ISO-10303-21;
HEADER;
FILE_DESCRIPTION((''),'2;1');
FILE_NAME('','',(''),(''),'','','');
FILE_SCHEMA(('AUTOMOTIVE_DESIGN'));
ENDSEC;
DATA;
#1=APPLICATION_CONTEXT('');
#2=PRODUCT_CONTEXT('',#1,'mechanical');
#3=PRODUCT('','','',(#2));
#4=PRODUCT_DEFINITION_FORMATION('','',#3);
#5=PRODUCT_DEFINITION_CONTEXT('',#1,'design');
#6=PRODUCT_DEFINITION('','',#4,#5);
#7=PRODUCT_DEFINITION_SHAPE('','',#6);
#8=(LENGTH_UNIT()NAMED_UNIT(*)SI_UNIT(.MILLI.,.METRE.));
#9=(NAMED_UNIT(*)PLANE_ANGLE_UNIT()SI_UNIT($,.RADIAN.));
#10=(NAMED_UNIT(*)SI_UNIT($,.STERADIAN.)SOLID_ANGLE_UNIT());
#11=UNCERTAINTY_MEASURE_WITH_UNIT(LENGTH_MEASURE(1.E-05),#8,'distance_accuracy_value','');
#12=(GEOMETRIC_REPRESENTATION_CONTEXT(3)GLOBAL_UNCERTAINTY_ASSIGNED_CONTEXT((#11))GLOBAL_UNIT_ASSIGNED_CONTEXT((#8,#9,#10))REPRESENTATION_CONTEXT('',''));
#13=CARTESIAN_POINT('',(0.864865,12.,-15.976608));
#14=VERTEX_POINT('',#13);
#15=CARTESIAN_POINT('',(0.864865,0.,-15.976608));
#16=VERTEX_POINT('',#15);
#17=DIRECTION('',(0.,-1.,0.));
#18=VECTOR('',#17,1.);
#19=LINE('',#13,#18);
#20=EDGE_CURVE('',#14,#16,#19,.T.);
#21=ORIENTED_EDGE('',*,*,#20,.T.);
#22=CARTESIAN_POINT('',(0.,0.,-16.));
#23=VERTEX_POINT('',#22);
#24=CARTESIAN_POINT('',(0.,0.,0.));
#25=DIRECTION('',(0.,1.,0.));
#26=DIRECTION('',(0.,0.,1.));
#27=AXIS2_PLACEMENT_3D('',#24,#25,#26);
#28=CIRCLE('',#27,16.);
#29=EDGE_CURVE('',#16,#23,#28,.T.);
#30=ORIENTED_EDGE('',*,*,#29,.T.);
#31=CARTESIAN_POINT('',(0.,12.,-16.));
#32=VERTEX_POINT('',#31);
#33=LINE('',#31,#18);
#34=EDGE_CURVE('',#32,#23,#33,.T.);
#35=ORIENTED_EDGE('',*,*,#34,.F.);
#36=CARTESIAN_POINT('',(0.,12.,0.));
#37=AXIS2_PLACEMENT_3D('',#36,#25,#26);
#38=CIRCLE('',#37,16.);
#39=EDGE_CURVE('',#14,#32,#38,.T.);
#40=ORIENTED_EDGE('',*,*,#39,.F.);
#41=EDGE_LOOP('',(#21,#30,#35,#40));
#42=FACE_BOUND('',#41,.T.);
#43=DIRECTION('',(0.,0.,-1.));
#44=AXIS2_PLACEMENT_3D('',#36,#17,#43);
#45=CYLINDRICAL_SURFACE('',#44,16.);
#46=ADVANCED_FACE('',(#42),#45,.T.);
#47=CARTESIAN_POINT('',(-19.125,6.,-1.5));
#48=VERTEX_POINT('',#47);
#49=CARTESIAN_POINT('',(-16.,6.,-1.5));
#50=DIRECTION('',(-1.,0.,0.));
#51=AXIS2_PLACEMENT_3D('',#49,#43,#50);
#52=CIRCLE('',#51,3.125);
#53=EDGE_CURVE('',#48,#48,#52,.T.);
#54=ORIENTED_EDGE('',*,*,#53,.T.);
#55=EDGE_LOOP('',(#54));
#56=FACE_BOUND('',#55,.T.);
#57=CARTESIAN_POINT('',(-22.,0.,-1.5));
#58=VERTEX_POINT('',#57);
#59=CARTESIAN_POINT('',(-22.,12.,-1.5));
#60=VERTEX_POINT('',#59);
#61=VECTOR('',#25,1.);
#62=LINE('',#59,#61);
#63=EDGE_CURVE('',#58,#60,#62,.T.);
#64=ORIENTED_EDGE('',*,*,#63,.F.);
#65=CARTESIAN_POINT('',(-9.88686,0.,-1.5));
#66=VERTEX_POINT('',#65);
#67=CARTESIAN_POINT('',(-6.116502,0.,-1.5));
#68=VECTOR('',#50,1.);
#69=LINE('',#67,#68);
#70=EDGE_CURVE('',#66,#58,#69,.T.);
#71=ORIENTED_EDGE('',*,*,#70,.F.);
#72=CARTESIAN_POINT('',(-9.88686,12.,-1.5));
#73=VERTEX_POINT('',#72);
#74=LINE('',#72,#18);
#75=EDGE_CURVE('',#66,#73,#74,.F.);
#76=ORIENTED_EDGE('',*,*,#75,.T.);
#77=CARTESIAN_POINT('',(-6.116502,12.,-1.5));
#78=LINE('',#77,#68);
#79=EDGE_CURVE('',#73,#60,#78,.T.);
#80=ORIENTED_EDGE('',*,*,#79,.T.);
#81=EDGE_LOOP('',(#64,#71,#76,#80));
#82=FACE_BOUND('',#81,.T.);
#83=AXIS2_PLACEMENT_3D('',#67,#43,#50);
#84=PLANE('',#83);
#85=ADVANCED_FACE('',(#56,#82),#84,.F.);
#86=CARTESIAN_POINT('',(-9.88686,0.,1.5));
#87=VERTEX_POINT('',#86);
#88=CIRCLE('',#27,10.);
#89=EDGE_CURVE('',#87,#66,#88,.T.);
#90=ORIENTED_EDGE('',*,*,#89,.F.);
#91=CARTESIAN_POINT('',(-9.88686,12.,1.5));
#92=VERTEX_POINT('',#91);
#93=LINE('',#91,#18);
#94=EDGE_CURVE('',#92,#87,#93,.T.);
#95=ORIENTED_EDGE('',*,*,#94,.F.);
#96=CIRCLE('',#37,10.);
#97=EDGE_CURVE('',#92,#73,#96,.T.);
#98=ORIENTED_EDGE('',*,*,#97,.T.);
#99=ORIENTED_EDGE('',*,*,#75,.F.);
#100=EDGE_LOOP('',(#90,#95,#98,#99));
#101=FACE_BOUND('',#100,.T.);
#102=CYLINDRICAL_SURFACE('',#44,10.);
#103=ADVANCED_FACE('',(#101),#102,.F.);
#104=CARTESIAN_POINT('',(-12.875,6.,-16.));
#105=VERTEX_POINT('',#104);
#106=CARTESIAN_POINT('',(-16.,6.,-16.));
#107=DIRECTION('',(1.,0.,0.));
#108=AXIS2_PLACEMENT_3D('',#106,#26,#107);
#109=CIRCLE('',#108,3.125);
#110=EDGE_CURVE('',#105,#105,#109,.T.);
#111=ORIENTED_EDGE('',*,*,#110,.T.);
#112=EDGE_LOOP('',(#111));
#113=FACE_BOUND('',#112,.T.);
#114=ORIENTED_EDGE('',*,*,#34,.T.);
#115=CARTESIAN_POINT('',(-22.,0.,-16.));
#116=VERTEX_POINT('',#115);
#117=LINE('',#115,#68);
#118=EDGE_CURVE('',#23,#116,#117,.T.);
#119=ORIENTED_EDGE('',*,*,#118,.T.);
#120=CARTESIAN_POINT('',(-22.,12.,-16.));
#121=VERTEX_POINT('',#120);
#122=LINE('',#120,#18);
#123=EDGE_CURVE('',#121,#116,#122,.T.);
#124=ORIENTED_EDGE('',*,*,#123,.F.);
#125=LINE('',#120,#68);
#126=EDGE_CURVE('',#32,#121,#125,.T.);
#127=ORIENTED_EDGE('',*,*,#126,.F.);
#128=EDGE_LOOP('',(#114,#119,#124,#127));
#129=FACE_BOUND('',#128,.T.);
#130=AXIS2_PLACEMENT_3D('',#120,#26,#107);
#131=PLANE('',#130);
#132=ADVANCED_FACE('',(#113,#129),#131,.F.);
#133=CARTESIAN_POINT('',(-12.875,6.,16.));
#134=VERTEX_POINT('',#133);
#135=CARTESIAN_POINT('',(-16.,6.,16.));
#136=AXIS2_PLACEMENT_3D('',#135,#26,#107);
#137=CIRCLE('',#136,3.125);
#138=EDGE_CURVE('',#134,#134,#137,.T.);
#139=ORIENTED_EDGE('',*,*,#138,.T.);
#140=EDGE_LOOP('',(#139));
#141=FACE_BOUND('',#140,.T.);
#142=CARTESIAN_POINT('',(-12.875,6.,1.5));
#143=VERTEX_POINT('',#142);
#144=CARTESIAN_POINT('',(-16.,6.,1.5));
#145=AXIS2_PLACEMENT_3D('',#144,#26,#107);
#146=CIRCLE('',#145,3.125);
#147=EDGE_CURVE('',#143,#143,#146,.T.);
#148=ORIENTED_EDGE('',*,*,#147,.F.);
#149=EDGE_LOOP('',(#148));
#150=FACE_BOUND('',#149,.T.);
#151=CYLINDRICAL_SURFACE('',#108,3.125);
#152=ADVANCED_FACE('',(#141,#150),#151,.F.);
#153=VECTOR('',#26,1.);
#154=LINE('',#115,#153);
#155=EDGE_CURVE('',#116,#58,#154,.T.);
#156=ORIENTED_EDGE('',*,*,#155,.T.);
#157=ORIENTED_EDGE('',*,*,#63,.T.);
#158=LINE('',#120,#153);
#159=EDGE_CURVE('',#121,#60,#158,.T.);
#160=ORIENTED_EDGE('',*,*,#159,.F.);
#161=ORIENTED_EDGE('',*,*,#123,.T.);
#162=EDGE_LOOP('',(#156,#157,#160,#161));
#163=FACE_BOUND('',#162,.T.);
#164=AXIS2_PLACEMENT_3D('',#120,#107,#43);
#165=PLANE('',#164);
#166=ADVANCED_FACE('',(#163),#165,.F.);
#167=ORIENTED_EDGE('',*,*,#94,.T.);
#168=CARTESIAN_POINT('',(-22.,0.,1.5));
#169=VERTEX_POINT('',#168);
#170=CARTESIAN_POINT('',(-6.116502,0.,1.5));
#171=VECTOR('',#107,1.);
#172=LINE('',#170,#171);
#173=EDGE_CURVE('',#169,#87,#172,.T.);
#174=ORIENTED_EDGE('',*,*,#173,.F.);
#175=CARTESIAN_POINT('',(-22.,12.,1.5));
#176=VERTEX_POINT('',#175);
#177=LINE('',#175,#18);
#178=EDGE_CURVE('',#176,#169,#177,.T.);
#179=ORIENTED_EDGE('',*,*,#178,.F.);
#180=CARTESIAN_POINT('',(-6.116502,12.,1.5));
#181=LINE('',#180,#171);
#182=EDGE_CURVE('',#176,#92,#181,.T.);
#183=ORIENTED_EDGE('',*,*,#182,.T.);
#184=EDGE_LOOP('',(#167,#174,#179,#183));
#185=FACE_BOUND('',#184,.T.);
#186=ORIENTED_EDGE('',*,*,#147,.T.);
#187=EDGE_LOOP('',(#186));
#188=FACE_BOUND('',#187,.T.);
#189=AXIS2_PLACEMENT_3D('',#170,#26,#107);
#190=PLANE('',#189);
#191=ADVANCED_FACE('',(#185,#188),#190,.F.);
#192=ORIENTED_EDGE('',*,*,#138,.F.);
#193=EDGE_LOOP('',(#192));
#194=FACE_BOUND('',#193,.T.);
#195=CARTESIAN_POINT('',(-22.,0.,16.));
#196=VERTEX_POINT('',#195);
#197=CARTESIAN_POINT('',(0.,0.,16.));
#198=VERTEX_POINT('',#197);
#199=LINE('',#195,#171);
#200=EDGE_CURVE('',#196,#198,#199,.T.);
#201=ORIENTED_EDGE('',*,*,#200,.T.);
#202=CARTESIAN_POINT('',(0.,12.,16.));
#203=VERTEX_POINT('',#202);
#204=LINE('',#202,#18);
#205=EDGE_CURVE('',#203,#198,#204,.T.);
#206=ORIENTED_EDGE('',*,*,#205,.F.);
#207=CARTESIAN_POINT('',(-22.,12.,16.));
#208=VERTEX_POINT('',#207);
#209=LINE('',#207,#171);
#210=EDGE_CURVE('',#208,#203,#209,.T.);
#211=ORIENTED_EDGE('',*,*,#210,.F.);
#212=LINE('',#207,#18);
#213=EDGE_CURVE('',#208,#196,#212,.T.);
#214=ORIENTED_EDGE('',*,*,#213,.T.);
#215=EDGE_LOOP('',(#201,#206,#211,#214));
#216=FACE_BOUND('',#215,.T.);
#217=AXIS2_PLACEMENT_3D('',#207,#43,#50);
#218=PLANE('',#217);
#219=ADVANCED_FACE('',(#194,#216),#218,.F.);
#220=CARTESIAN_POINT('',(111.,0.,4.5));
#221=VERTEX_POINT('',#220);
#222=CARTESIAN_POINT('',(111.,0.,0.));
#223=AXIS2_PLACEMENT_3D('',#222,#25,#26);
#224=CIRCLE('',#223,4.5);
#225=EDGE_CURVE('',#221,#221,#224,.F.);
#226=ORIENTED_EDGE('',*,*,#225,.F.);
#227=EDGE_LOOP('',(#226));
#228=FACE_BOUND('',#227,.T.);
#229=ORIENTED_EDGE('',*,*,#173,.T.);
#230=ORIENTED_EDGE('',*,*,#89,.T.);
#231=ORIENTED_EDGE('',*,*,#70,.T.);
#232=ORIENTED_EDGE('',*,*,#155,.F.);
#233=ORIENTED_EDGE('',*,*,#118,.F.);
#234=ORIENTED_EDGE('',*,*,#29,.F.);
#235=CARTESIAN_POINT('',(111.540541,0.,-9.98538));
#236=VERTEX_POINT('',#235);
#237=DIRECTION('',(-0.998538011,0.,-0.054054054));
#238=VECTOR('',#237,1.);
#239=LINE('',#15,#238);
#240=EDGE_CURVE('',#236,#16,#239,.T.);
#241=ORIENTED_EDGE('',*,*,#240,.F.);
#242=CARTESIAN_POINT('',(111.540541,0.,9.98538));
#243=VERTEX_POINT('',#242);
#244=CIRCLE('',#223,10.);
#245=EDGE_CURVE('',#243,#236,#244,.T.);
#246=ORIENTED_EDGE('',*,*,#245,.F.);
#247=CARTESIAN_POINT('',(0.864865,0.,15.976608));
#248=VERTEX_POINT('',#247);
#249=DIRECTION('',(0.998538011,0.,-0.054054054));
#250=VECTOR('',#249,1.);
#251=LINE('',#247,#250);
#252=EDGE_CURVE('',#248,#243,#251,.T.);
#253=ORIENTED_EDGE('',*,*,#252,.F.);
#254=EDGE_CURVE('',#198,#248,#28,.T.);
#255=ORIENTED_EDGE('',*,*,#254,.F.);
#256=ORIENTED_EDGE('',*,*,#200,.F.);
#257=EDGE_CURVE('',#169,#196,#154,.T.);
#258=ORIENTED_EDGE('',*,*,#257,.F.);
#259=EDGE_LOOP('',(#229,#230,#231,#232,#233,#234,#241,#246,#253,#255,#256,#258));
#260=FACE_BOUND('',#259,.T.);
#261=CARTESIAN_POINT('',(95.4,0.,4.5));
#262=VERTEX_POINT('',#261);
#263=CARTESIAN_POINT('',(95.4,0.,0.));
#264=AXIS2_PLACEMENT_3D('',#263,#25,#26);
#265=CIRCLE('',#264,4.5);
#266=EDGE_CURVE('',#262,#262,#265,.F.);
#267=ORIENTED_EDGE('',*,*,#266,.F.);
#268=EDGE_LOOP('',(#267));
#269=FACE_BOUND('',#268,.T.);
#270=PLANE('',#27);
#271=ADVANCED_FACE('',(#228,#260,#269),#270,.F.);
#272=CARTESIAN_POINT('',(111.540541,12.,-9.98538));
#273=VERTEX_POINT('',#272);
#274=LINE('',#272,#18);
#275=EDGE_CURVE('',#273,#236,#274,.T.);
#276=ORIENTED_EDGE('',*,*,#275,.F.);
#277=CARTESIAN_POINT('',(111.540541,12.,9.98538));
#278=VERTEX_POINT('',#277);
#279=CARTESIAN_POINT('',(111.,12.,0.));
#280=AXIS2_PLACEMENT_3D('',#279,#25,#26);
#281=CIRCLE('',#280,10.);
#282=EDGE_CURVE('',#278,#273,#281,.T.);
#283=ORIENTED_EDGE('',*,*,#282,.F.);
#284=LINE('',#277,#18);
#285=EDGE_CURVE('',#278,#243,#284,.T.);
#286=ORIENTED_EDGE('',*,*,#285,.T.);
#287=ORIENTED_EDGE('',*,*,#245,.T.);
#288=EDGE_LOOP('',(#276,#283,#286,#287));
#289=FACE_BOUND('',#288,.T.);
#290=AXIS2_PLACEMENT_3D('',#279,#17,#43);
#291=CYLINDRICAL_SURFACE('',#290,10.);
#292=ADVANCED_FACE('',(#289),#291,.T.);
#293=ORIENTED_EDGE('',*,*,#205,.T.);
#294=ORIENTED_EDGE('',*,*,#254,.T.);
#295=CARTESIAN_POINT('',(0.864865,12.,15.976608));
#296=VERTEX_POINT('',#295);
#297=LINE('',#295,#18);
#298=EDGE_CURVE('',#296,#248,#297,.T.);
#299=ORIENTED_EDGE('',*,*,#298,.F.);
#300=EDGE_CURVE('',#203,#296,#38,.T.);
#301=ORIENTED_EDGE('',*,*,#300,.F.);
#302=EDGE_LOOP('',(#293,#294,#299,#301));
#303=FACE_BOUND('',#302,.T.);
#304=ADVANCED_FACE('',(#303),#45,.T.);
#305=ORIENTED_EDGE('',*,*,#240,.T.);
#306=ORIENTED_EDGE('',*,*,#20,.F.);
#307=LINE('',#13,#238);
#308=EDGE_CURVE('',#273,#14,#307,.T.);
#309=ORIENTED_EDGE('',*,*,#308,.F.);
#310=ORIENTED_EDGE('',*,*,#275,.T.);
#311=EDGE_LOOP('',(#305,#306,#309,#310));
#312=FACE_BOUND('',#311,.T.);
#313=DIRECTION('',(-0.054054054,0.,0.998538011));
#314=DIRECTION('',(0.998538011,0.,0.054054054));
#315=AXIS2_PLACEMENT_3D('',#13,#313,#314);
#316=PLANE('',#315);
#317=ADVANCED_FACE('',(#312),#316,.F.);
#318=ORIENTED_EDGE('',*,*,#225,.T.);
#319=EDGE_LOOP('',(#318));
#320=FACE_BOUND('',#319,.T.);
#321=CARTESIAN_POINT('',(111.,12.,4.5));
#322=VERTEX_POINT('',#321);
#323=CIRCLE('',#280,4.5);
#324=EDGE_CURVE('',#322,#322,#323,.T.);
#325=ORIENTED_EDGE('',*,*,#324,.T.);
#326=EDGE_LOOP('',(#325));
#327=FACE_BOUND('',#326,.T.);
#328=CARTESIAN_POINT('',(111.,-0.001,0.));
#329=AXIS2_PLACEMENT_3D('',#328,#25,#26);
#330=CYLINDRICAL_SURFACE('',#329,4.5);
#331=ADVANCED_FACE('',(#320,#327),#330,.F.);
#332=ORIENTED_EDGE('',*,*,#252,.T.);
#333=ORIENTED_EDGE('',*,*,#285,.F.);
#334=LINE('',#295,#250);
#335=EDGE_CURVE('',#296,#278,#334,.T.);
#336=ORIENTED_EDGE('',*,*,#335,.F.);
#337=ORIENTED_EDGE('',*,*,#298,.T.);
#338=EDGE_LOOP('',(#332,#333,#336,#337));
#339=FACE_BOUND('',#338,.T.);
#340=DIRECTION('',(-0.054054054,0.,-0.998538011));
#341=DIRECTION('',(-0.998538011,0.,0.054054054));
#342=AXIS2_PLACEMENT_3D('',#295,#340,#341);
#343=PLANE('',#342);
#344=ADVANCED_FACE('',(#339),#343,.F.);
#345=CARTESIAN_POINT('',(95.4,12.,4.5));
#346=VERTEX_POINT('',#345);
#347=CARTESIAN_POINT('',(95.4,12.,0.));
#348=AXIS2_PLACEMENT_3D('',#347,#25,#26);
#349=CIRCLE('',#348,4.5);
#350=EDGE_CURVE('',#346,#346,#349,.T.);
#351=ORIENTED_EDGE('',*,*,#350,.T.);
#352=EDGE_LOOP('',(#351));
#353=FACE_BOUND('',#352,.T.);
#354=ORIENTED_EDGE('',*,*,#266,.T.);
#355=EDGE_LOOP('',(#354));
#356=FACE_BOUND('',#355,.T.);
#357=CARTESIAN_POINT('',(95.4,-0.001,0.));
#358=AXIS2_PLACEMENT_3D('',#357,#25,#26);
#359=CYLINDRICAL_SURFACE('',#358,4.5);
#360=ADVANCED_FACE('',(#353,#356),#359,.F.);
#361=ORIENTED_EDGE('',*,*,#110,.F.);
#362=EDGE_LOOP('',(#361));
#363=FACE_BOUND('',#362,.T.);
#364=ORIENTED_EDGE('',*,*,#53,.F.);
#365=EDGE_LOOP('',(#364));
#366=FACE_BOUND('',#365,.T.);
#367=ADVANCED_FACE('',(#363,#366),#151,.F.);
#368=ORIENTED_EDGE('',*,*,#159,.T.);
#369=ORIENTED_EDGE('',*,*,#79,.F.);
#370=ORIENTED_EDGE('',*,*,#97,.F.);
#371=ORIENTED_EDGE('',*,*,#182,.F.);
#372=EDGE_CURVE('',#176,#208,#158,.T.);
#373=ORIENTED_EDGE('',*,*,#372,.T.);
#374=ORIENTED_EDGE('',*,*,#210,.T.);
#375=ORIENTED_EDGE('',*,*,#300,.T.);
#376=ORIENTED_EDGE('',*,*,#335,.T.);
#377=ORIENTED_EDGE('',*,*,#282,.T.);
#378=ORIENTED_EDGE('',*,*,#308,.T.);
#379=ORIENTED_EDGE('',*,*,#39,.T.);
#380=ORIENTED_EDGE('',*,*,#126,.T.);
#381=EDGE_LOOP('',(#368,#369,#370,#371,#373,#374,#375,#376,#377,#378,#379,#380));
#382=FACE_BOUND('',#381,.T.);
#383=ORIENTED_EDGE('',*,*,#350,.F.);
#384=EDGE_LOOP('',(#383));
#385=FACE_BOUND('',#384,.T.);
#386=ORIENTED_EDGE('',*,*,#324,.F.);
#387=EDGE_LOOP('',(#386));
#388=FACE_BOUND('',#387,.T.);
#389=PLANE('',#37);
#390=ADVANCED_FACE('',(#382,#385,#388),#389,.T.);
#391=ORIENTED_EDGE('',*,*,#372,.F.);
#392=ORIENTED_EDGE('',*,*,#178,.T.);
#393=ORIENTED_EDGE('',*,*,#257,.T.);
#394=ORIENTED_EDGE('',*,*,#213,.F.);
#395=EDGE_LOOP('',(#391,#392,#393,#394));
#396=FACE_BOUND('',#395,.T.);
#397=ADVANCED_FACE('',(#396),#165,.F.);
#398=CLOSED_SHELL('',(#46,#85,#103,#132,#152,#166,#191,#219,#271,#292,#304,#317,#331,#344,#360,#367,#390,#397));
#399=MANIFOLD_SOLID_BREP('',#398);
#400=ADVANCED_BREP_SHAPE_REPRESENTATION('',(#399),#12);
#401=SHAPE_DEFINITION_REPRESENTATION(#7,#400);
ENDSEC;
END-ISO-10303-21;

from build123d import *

# Parameters (mm, degrees)
CROQUIS1_R              = 10
SALIENTE_EXTRUIR1_DEPTH = 12
CROQUIS2_W              = 21.833325304
CROQUIS2_H              = 3
CORTAR_EXTRUIR1_DEPTH   = 12
CROQUIS3_R              = 3.125
CORTAR_EXTRUIR2_DEPTH   = 126.733845881
CORTAR_EXTRUIR3_REACH   = 124.642
CROQUIS6_R              = 4.5


with BuildPart() as part:
    # Croquis1 → Saliente-Extruir1 (new body)
    with BuildSketch(Plane(origin=(0, 0, 0), x_dir=(1, 0, 0), z_dir=(0, 1, 0))):
        with BuildLine():
            Line((0.864864865, 15.976608175), (111.540540541, 9.985380109))
            ThreePointArc((111.540540541, 9.985380109), (121, 0), (111.540540541, -9.985380109))
            Line((111.540540541, -9.985380109), (0.864864865, -15.976608175))
            ThreePointArc((0.864864865, -15.976608175), (0.432590572, -15.994150975), (0, -16))
            Line((0, -16), (-22, -16))
            Line((-22, -16), (-22, 16))
            Line((-22, 16), (0, 16))
            ThreePointArc((0, 16), (0.432590572, 15.994150975), (0.864864865, 15.976608175))
        make_face()
        with Locations(Location((0, 0, 0), (0, 0, 270))):
            Circle(CROQUIS1_R, mode=Mode.SUBTRACT)
    extrude(amount=SALIENTE_EXTRUIR1_DEPTH)

    # Croquis2 → Cortar-Extruir1 (cut)
    with BuildSketch(Plane(origin=(0, 12, 0), x_dir=(1, 0, 0), z_dir=(0, 1, 0))):
        with Locations((-17.033164983, 0)):
            Rectangle(CROQUIS2_W, CROQUIS2_H)
    extrude(amount=-CORTAR_EXTRUIR1_DEPTH, mode=Mode.SUBTRACT)

    # Croquis3 → Cortar-Extruir2 (cut, through all)
    with BuildSketch(Plane.XY.offset(16)):
        with Locations((-16, 6)):
            Circle(CROQUIS3_R)
    extrude(amount=-CORTAR_EXTRUIR2_DEPTH, mode=Mode.SUBTRACT)

    # Croquis6 → Cortar-Extruir3 (cut, up to next)
    with BuildSketch(Plane(origin=(0, 12, 0), x_dir=(1, 0, 0), z_dir=(0, 1, 0)), mode=Mode.PRIVATE) as cortar_extruir3_sk1:
        with Locations(Location((111, 0, 0), (0, 0, 270))):
            Circle(CROQUIS6_R)
    cortar_extruir3_tool1 = extrude(cortar_extruir3_sk1.sketch, amount=-CORTAR_EXTRUIR3_REACH, mode=Mode.PRIVATE) & part.part
    # Croquis6 → Cortar-Extruir3 (cut, up to next)
    with BuildSketch(Plane(origin=(0, 12, 0), x_dir=(1, 0, 0), z_dir=(0, 1, 0)), mode=Mode.PRIVATE) as cortar_extruir3_sk2:
        with Locations(Location((95.4, 0, 0), (0, 0, 270))):
            Circle(CROQUIS6_R)
    cortar_extruir3_tool2 = extrude(cortar_extruir3_sk2.sketch, amount=-CORTAR_EXTRUIR3_REACH, mode=Mode.PRIVATE) & part.part
    add(cortar_extruir3_tool1.solids().sort_by_distance((111, 12, 0))[0], mode=Mode.SUBTRACT)
    add(cortar_extruir3_tool2.solids().sort_by_distance((95.4, 12, 0))[0], mode=Mode.SUBTRACT)


solid = part.part
